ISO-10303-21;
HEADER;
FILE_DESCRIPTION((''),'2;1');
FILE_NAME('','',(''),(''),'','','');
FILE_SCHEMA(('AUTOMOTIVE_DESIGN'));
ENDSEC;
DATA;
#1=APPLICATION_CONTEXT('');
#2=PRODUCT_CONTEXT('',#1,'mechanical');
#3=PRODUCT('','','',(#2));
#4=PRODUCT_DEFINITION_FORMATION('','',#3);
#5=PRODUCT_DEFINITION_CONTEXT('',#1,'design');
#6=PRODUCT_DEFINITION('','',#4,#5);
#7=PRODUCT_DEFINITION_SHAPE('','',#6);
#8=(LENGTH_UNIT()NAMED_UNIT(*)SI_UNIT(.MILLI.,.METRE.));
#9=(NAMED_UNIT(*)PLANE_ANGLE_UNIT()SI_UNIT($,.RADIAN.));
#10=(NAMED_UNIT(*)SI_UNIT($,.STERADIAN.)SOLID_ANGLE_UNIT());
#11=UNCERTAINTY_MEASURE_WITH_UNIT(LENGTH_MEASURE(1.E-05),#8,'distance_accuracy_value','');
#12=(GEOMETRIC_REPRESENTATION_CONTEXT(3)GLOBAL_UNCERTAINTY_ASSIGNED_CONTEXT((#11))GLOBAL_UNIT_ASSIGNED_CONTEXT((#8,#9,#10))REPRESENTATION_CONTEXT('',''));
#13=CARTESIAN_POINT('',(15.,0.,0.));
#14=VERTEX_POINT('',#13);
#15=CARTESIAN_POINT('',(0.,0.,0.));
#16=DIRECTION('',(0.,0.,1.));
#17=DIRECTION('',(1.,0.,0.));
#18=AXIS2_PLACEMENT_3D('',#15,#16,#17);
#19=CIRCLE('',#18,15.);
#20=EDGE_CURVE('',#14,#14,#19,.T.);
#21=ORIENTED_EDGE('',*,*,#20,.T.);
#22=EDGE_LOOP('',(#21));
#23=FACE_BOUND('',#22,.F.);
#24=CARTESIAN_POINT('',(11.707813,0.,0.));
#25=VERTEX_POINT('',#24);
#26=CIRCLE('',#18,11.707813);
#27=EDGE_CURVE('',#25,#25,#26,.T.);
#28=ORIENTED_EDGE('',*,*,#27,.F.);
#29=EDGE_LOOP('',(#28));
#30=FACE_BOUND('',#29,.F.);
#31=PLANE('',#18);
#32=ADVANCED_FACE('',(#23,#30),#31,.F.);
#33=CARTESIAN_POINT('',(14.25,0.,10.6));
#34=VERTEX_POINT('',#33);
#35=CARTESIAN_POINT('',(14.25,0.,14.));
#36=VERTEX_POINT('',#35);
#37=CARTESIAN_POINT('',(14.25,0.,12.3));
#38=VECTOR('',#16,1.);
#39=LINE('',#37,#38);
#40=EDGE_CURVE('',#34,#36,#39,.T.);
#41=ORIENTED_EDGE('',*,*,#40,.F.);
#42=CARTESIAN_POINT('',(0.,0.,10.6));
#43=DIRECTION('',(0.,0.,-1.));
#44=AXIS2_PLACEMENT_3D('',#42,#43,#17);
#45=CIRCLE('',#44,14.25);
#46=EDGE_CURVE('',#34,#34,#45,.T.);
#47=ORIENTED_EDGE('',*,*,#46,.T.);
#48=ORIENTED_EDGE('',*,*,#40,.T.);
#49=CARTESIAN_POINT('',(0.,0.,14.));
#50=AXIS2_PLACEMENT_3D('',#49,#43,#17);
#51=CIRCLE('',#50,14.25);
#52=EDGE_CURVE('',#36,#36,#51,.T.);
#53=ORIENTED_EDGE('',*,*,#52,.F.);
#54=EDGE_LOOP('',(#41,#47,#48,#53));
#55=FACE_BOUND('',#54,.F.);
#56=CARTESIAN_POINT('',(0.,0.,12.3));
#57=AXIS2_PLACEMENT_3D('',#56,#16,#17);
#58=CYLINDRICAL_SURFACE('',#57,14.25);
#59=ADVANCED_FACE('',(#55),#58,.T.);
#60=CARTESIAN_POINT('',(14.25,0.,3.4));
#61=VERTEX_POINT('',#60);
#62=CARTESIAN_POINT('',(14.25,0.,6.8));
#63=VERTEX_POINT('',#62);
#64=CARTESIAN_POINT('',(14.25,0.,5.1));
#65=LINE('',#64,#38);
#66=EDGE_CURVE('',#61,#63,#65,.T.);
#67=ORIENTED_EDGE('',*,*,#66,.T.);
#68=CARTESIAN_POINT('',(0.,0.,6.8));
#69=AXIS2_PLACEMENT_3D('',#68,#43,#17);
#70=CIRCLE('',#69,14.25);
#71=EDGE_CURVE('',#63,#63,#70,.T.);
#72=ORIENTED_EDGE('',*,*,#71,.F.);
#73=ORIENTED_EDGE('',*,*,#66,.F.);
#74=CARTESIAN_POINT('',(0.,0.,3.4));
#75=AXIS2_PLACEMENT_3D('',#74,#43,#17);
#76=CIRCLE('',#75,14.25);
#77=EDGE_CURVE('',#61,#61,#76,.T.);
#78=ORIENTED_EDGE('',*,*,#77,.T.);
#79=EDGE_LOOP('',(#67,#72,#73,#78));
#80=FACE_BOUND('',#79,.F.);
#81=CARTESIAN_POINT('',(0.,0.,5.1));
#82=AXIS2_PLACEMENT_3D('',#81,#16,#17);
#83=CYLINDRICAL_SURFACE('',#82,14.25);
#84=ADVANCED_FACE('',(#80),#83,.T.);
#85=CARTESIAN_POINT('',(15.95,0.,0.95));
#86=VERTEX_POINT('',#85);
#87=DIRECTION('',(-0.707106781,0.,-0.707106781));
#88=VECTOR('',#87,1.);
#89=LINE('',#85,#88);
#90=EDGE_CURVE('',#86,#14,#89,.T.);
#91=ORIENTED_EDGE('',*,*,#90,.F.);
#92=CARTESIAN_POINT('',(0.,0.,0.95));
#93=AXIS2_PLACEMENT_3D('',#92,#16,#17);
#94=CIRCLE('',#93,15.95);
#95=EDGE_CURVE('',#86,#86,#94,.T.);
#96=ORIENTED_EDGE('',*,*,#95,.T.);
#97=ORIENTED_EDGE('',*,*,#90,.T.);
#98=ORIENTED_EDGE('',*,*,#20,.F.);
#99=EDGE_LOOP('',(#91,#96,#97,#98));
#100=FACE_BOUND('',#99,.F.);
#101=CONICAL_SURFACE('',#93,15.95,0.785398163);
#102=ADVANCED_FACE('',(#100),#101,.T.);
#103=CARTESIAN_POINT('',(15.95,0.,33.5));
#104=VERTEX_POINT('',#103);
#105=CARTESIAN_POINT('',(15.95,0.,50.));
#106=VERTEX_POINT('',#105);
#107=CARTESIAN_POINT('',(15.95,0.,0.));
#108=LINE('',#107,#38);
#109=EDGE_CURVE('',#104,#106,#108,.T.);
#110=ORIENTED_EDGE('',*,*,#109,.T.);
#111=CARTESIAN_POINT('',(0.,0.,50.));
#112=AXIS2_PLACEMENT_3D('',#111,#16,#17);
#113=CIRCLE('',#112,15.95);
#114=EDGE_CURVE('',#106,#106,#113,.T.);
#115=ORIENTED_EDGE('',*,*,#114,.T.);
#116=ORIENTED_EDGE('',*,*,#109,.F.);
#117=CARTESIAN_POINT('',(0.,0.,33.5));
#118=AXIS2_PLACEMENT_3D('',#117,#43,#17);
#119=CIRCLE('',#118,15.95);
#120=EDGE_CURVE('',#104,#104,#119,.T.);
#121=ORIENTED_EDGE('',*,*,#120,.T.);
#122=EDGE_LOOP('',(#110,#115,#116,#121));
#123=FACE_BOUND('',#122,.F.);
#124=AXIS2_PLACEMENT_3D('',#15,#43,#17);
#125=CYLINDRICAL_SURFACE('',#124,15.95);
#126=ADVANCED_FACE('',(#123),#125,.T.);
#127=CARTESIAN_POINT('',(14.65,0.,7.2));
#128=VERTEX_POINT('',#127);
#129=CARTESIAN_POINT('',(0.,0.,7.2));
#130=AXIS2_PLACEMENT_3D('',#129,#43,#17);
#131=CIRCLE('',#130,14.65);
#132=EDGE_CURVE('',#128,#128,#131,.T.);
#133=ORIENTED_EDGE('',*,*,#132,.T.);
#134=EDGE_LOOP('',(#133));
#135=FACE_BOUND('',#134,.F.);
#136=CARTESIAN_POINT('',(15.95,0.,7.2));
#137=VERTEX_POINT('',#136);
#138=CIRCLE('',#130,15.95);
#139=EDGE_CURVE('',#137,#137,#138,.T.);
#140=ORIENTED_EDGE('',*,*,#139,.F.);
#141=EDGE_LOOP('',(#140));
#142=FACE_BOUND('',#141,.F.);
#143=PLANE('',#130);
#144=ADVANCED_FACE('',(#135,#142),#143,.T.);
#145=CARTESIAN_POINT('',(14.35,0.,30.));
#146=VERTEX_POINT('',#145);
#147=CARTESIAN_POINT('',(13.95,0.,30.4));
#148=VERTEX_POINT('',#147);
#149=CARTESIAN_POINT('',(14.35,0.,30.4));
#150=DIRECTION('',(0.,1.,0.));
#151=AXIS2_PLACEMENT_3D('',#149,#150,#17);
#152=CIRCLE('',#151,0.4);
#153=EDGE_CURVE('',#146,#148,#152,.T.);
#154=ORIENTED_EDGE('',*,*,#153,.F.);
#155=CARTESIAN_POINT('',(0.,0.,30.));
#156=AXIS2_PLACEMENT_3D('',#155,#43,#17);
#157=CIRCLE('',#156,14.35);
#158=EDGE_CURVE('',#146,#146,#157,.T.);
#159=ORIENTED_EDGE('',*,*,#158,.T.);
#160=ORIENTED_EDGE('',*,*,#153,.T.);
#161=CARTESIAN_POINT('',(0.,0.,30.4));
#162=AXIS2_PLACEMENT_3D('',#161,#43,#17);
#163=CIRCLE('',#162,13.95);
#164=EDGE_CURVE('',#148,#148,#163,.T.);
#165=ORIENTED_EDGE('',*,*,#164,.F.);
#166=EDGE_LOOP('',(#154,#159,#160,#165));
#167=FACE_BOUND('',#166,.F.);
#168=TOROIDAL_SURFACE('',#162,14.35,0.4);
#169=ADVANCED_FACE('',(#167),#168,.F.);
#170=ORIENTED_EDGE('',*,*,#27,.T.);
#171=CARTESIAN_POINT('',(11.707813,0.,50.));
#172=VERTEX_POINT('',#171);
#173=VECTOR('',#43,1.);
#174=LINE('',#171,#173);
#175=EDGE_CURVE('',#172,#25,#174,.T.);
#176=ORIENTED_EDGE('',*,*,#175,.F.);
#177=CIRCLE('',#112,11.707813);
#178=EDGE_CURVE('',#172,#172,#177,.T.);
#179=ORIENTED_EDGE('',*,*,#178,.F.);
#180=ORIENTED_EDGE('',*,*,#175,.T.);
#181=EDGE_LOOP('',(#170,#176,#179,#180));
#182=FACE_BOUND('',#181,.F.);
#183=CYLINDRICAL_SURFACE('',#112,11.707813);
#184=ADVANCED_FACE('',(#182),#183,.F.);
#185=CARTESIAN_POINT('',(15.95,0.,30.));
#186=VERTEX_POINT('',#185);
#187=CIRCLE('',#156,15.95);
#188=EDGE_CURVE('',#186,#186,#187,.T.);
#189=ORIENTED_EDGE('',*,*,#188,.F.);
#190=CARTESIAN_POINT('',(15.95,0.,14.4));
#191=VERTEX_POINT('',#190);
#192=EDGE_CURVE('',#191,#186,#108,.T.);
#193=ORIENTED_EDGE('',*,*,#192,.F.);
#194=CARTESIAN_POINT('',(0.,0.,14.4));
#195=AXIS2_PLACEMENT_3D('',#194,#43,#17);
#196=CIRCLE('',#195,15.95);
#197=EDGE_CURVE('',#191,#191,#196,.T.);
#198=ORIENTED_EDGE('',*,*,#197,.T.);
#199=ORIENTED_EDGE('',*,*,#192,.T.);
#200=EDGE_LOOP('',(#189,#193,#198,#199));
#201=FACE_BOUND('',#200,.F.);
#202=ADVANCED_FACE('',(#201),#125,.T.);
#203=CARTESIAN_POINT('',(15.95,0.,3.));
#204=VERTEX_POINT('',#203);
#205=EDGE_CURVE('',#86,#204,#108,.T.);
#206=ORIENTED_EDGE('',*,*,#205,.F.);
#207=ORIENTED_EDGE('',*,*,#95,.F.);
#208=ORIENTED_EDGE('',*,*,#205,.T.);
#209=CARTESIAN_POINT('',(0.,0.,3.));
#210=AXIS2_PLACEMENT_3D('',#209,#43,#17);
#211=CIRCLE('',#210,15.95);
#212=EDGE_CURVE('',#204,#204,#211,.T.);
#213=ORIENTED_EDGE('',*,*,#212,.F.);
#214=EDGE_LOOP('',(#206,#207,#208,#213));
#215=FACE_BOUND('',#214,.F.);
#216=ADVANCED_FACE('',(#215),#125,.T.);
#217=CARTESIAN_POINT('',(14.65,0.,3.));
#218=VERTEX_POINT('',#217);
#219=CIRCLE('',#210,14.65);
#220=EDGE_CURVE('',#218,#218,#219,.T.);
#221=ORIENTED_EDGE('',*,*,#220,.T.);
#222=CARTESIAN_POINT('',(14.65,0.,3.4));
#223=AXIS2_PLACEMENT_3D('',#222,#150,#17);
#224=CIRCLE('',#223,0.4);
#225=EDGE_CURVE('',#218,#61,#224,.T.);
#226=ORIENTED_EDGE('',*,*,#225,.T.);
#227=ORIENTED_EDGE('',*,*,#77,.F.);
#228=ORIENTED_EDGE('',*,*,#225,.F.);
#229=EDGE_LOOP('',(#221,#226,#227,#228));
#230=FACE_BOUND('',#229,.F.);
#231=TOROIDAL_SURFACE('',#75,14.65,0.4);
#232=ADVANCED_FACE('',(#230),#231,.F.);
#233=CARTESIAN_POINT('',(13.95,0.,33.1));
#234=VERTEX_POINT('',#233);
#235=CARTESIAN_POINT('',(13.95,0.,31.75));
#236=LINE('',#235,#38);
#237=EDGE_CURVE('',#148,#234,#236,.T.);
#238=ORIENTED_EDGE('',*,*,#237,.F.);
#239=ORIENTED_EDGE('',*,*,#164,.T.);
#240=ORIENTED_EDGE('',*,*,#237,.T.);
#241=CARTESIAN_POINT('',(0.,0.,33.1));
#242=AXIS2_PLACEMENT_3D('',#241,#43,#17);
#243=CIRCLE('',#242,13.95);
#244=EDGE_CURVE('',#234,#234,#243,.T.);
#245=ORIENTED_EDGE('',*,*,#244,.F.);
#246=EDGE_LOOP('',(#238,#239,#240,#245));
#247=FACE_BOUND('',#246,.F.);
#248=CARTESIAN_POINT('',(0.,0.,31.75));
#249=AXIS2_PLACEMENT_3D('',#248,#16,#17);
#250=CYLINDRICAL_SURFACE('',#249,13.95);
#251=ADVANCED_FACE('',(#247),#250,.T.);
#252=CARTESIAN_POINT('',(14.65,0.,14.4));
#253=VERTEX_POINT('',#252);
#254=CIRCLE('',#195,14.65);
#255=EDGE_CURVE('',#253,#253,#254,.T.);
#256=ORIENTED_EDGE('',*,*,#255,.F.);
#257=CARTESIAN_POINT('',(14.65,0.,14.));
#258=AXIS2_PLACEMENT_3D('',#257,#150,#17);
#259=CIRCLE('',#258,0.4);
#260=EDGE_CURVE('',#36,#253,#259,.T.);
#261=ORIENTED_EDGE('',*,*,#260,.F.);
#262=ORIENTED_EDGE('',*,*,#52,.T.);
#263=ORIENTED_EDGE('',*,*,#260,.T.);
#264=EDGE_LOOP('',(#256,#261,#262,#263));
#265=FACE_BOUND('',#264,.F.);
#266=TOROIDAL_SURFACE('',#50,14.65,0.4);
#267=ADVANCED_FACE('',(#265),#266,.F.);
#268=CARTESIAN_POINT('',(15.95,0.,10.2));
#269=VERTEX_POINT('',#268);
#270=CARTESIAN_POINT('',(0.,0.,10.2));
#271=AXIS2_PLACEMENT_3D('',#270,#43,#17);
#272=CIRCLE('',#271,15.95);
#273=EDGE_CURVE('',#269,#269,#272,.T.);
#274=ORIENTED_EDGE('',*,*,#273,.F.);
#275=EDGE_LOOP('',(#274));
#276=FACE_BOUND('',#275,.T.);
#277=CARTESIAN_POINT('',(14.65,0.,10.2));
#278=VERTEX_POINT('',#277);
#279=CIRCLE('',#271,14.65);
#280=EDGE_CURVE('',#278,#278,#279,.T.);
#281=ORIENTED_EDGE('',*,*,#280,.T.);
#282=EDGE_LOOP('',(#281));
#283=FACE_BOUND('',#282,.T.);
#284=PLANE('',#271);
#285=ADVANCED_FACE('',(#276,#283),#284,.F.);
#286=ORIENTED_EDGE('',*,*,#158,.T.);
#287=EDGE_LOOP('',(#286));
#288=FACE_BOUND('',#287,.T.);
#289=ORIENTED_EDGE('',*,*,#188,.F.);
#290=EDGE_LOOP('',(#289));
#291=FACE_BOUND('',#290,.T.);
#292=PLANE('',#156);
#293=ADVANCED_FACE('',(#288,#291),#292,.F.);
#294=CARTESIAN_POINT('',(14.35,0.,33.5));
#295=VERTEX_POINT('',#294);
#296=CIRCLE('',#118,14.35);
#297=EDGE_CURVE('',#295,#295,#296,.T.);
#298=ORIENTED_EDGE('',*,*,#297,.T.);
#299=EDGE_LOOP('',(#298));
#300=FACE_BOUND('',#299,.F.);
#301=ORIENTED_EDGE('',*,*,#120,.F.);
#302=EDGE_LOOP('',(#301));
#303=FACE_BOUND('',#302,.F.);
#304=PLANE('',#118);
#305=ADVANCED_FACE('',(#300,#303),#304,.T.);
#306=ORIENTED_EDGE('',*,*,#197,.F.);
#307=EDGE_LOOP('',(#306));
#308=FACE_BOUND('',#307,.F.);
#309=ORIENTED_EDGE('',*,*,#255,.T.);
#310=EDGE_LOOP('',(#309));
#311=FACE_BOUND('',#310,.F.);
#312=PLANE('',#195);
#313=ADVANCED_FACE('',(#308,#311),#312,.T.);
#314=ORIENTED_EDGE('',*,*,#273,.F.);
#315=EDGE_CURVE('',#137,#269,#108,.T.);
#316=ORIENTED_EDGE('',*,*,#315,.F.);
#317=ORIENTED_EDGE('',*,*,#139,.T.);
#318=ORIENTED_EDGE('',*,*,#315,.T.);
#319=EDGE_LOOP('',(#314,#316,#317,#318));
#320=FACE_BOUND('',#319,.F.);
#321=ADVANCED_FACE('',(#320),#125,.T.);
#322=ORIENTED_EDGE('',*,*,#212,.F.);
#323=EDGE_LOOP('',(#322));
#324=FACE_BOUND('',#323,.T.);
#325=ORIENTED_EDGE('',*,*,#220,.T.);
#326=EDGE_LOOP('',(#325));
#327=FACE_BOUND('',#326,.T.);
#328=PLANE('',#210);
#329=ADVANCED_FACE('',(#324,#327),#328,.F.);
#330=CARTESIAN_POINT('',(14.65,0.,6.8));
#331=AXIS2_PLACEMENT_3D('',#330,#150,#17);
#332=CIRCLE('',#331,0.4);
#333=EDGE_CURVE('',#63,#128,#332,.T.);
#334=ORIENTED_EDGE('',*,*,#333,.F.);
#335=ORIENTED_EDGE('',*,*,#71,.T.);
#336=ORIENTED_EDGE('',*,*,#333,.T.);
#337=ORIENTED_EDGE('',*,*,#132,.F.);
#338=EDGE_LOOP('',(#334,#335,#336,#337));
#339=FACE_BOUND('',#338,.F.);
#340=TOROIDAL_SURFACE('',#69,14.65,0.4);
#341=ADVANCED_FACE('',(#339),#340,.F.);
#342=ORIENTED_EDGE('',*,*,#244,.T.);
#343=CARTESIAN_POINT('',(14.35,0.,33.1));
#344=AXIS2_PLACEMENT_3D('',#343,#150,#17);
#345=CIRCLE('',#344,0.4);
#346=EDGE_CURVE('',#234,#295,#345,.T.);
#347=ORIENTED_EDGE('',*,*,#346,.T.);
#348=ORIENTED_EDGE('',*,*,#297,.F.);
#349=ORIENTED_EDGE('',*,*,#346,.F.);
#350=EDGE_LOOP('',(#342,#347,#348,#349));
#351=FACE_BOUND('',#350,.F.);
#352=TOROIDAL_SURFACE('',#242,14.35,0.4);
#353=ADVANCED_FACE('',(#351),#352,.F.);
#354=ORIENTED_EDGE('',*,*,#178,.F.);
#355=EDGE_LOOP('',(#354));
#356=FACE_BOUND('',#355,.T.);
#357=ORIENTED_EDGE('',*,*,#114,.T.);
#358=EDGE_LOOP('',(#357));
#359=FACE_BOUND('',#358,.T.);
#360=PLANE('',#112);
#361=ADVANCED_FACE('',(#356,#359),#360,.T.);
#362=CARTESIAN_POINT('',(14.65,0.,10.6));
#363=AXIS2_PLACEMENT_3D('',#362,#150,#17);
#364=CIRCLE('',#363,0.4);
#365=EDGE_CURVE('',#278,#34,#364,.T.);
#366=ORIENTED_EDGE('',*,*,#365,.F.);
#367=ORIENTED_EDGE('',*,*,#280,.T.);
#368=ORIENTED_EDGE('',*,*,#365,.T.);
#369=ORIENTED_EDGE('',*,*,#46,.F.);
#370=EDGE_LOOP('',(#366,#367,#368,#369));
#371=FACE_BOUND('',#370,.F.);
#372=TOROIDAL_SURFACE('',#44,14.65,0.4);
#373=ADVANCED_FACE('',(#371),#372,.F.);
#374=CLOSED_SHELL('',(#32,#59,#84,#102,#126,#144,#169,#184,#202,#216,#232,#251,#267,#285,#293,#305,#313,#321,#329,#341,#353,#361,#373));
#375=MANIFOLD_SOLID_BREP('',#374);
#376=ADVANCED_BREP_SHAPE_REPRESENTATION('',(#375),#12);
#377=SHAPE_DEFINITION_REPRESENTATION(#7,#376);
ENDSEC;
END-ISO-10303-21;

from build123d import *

# Parameters (mm, degrees)
F0_R      = 15.95
F1_DEPTH  = 50
F2_W      = 1.7
F2_H      = 4.2
F5_R      = 0.4
F6_W      = 2
F6_H      = 3.5
F8_R      = 0.4
F9_R      = 11.707813
F10_DEPTH = 50.001


with BuildPart() as f1:
    # F0 (on Top) → F1 (new body)
    with BuildSketch(Plane.XY):
        Circle(F0_R)
    extrude(amount=F1_DEPTH)

    # F2 (on Front) → F4 (revolve, cut)
    with BuildSketch(Plane.XZ):
        with Locations((15.1, 5.1)):
            Rectangle(F2_W, F2_H)
        with Locations((15.1, 12.3)):
            Rectangle(F2_W, F2_H)
    revolve(axis=Axis((0, 0, 32.886785), (0, 0, -1)), mode=Mode.SUBTRACT)

    # F5
    f5_edges = [f1.edges().sort_by_distance(p)[0] for p in [
        (-14.25, 0, 3),
        (-14.25, 0, 7.2),
        (-14.25, 0, 14.4),
        (-14.25, 0, 10.2),
    ]]
    fillet(f5_edges, radius=F5_R)

    # F6 (on Front) → F7 (revolve, cut)
    with BuildSketch(Plane.XZ):
        with Locations((14.95, 31.75)):
            Rectangle(F6_W, F6_H)
    revolve(axis=Axis((0, 0, 0), (0, 0, -1)), mode=Mode.SUBTRACT)

    # F8
    f8_edges = [f1.edges().sort_by_distance(p)[0] for p in [
        (-13.95, 0, 30),
        (-13.95, 0, 33.5),
    ]]
    fillet(f8_edges, radius=F8_R)

    # F9 (on face) → F10 (cut, through all)
    with BuildSketch(Plane.XY.offset(50)):
        Circle(F9_R)
    extrude(amount=-F10_DEPTH, mode=Mode.SUBTRACT)

    # F11 (on Front) → F12 (revolve, cut)
    with BuildSketch(Plane.XZ):
        Polygon((15, 0), (15.95, 0), (15.95, 0.95), align=None)
    revolve(axis=Axis((0, 0, 50), (0, 0, 1)), mode=Mode.SUBTRACT)


solid = f1.part
